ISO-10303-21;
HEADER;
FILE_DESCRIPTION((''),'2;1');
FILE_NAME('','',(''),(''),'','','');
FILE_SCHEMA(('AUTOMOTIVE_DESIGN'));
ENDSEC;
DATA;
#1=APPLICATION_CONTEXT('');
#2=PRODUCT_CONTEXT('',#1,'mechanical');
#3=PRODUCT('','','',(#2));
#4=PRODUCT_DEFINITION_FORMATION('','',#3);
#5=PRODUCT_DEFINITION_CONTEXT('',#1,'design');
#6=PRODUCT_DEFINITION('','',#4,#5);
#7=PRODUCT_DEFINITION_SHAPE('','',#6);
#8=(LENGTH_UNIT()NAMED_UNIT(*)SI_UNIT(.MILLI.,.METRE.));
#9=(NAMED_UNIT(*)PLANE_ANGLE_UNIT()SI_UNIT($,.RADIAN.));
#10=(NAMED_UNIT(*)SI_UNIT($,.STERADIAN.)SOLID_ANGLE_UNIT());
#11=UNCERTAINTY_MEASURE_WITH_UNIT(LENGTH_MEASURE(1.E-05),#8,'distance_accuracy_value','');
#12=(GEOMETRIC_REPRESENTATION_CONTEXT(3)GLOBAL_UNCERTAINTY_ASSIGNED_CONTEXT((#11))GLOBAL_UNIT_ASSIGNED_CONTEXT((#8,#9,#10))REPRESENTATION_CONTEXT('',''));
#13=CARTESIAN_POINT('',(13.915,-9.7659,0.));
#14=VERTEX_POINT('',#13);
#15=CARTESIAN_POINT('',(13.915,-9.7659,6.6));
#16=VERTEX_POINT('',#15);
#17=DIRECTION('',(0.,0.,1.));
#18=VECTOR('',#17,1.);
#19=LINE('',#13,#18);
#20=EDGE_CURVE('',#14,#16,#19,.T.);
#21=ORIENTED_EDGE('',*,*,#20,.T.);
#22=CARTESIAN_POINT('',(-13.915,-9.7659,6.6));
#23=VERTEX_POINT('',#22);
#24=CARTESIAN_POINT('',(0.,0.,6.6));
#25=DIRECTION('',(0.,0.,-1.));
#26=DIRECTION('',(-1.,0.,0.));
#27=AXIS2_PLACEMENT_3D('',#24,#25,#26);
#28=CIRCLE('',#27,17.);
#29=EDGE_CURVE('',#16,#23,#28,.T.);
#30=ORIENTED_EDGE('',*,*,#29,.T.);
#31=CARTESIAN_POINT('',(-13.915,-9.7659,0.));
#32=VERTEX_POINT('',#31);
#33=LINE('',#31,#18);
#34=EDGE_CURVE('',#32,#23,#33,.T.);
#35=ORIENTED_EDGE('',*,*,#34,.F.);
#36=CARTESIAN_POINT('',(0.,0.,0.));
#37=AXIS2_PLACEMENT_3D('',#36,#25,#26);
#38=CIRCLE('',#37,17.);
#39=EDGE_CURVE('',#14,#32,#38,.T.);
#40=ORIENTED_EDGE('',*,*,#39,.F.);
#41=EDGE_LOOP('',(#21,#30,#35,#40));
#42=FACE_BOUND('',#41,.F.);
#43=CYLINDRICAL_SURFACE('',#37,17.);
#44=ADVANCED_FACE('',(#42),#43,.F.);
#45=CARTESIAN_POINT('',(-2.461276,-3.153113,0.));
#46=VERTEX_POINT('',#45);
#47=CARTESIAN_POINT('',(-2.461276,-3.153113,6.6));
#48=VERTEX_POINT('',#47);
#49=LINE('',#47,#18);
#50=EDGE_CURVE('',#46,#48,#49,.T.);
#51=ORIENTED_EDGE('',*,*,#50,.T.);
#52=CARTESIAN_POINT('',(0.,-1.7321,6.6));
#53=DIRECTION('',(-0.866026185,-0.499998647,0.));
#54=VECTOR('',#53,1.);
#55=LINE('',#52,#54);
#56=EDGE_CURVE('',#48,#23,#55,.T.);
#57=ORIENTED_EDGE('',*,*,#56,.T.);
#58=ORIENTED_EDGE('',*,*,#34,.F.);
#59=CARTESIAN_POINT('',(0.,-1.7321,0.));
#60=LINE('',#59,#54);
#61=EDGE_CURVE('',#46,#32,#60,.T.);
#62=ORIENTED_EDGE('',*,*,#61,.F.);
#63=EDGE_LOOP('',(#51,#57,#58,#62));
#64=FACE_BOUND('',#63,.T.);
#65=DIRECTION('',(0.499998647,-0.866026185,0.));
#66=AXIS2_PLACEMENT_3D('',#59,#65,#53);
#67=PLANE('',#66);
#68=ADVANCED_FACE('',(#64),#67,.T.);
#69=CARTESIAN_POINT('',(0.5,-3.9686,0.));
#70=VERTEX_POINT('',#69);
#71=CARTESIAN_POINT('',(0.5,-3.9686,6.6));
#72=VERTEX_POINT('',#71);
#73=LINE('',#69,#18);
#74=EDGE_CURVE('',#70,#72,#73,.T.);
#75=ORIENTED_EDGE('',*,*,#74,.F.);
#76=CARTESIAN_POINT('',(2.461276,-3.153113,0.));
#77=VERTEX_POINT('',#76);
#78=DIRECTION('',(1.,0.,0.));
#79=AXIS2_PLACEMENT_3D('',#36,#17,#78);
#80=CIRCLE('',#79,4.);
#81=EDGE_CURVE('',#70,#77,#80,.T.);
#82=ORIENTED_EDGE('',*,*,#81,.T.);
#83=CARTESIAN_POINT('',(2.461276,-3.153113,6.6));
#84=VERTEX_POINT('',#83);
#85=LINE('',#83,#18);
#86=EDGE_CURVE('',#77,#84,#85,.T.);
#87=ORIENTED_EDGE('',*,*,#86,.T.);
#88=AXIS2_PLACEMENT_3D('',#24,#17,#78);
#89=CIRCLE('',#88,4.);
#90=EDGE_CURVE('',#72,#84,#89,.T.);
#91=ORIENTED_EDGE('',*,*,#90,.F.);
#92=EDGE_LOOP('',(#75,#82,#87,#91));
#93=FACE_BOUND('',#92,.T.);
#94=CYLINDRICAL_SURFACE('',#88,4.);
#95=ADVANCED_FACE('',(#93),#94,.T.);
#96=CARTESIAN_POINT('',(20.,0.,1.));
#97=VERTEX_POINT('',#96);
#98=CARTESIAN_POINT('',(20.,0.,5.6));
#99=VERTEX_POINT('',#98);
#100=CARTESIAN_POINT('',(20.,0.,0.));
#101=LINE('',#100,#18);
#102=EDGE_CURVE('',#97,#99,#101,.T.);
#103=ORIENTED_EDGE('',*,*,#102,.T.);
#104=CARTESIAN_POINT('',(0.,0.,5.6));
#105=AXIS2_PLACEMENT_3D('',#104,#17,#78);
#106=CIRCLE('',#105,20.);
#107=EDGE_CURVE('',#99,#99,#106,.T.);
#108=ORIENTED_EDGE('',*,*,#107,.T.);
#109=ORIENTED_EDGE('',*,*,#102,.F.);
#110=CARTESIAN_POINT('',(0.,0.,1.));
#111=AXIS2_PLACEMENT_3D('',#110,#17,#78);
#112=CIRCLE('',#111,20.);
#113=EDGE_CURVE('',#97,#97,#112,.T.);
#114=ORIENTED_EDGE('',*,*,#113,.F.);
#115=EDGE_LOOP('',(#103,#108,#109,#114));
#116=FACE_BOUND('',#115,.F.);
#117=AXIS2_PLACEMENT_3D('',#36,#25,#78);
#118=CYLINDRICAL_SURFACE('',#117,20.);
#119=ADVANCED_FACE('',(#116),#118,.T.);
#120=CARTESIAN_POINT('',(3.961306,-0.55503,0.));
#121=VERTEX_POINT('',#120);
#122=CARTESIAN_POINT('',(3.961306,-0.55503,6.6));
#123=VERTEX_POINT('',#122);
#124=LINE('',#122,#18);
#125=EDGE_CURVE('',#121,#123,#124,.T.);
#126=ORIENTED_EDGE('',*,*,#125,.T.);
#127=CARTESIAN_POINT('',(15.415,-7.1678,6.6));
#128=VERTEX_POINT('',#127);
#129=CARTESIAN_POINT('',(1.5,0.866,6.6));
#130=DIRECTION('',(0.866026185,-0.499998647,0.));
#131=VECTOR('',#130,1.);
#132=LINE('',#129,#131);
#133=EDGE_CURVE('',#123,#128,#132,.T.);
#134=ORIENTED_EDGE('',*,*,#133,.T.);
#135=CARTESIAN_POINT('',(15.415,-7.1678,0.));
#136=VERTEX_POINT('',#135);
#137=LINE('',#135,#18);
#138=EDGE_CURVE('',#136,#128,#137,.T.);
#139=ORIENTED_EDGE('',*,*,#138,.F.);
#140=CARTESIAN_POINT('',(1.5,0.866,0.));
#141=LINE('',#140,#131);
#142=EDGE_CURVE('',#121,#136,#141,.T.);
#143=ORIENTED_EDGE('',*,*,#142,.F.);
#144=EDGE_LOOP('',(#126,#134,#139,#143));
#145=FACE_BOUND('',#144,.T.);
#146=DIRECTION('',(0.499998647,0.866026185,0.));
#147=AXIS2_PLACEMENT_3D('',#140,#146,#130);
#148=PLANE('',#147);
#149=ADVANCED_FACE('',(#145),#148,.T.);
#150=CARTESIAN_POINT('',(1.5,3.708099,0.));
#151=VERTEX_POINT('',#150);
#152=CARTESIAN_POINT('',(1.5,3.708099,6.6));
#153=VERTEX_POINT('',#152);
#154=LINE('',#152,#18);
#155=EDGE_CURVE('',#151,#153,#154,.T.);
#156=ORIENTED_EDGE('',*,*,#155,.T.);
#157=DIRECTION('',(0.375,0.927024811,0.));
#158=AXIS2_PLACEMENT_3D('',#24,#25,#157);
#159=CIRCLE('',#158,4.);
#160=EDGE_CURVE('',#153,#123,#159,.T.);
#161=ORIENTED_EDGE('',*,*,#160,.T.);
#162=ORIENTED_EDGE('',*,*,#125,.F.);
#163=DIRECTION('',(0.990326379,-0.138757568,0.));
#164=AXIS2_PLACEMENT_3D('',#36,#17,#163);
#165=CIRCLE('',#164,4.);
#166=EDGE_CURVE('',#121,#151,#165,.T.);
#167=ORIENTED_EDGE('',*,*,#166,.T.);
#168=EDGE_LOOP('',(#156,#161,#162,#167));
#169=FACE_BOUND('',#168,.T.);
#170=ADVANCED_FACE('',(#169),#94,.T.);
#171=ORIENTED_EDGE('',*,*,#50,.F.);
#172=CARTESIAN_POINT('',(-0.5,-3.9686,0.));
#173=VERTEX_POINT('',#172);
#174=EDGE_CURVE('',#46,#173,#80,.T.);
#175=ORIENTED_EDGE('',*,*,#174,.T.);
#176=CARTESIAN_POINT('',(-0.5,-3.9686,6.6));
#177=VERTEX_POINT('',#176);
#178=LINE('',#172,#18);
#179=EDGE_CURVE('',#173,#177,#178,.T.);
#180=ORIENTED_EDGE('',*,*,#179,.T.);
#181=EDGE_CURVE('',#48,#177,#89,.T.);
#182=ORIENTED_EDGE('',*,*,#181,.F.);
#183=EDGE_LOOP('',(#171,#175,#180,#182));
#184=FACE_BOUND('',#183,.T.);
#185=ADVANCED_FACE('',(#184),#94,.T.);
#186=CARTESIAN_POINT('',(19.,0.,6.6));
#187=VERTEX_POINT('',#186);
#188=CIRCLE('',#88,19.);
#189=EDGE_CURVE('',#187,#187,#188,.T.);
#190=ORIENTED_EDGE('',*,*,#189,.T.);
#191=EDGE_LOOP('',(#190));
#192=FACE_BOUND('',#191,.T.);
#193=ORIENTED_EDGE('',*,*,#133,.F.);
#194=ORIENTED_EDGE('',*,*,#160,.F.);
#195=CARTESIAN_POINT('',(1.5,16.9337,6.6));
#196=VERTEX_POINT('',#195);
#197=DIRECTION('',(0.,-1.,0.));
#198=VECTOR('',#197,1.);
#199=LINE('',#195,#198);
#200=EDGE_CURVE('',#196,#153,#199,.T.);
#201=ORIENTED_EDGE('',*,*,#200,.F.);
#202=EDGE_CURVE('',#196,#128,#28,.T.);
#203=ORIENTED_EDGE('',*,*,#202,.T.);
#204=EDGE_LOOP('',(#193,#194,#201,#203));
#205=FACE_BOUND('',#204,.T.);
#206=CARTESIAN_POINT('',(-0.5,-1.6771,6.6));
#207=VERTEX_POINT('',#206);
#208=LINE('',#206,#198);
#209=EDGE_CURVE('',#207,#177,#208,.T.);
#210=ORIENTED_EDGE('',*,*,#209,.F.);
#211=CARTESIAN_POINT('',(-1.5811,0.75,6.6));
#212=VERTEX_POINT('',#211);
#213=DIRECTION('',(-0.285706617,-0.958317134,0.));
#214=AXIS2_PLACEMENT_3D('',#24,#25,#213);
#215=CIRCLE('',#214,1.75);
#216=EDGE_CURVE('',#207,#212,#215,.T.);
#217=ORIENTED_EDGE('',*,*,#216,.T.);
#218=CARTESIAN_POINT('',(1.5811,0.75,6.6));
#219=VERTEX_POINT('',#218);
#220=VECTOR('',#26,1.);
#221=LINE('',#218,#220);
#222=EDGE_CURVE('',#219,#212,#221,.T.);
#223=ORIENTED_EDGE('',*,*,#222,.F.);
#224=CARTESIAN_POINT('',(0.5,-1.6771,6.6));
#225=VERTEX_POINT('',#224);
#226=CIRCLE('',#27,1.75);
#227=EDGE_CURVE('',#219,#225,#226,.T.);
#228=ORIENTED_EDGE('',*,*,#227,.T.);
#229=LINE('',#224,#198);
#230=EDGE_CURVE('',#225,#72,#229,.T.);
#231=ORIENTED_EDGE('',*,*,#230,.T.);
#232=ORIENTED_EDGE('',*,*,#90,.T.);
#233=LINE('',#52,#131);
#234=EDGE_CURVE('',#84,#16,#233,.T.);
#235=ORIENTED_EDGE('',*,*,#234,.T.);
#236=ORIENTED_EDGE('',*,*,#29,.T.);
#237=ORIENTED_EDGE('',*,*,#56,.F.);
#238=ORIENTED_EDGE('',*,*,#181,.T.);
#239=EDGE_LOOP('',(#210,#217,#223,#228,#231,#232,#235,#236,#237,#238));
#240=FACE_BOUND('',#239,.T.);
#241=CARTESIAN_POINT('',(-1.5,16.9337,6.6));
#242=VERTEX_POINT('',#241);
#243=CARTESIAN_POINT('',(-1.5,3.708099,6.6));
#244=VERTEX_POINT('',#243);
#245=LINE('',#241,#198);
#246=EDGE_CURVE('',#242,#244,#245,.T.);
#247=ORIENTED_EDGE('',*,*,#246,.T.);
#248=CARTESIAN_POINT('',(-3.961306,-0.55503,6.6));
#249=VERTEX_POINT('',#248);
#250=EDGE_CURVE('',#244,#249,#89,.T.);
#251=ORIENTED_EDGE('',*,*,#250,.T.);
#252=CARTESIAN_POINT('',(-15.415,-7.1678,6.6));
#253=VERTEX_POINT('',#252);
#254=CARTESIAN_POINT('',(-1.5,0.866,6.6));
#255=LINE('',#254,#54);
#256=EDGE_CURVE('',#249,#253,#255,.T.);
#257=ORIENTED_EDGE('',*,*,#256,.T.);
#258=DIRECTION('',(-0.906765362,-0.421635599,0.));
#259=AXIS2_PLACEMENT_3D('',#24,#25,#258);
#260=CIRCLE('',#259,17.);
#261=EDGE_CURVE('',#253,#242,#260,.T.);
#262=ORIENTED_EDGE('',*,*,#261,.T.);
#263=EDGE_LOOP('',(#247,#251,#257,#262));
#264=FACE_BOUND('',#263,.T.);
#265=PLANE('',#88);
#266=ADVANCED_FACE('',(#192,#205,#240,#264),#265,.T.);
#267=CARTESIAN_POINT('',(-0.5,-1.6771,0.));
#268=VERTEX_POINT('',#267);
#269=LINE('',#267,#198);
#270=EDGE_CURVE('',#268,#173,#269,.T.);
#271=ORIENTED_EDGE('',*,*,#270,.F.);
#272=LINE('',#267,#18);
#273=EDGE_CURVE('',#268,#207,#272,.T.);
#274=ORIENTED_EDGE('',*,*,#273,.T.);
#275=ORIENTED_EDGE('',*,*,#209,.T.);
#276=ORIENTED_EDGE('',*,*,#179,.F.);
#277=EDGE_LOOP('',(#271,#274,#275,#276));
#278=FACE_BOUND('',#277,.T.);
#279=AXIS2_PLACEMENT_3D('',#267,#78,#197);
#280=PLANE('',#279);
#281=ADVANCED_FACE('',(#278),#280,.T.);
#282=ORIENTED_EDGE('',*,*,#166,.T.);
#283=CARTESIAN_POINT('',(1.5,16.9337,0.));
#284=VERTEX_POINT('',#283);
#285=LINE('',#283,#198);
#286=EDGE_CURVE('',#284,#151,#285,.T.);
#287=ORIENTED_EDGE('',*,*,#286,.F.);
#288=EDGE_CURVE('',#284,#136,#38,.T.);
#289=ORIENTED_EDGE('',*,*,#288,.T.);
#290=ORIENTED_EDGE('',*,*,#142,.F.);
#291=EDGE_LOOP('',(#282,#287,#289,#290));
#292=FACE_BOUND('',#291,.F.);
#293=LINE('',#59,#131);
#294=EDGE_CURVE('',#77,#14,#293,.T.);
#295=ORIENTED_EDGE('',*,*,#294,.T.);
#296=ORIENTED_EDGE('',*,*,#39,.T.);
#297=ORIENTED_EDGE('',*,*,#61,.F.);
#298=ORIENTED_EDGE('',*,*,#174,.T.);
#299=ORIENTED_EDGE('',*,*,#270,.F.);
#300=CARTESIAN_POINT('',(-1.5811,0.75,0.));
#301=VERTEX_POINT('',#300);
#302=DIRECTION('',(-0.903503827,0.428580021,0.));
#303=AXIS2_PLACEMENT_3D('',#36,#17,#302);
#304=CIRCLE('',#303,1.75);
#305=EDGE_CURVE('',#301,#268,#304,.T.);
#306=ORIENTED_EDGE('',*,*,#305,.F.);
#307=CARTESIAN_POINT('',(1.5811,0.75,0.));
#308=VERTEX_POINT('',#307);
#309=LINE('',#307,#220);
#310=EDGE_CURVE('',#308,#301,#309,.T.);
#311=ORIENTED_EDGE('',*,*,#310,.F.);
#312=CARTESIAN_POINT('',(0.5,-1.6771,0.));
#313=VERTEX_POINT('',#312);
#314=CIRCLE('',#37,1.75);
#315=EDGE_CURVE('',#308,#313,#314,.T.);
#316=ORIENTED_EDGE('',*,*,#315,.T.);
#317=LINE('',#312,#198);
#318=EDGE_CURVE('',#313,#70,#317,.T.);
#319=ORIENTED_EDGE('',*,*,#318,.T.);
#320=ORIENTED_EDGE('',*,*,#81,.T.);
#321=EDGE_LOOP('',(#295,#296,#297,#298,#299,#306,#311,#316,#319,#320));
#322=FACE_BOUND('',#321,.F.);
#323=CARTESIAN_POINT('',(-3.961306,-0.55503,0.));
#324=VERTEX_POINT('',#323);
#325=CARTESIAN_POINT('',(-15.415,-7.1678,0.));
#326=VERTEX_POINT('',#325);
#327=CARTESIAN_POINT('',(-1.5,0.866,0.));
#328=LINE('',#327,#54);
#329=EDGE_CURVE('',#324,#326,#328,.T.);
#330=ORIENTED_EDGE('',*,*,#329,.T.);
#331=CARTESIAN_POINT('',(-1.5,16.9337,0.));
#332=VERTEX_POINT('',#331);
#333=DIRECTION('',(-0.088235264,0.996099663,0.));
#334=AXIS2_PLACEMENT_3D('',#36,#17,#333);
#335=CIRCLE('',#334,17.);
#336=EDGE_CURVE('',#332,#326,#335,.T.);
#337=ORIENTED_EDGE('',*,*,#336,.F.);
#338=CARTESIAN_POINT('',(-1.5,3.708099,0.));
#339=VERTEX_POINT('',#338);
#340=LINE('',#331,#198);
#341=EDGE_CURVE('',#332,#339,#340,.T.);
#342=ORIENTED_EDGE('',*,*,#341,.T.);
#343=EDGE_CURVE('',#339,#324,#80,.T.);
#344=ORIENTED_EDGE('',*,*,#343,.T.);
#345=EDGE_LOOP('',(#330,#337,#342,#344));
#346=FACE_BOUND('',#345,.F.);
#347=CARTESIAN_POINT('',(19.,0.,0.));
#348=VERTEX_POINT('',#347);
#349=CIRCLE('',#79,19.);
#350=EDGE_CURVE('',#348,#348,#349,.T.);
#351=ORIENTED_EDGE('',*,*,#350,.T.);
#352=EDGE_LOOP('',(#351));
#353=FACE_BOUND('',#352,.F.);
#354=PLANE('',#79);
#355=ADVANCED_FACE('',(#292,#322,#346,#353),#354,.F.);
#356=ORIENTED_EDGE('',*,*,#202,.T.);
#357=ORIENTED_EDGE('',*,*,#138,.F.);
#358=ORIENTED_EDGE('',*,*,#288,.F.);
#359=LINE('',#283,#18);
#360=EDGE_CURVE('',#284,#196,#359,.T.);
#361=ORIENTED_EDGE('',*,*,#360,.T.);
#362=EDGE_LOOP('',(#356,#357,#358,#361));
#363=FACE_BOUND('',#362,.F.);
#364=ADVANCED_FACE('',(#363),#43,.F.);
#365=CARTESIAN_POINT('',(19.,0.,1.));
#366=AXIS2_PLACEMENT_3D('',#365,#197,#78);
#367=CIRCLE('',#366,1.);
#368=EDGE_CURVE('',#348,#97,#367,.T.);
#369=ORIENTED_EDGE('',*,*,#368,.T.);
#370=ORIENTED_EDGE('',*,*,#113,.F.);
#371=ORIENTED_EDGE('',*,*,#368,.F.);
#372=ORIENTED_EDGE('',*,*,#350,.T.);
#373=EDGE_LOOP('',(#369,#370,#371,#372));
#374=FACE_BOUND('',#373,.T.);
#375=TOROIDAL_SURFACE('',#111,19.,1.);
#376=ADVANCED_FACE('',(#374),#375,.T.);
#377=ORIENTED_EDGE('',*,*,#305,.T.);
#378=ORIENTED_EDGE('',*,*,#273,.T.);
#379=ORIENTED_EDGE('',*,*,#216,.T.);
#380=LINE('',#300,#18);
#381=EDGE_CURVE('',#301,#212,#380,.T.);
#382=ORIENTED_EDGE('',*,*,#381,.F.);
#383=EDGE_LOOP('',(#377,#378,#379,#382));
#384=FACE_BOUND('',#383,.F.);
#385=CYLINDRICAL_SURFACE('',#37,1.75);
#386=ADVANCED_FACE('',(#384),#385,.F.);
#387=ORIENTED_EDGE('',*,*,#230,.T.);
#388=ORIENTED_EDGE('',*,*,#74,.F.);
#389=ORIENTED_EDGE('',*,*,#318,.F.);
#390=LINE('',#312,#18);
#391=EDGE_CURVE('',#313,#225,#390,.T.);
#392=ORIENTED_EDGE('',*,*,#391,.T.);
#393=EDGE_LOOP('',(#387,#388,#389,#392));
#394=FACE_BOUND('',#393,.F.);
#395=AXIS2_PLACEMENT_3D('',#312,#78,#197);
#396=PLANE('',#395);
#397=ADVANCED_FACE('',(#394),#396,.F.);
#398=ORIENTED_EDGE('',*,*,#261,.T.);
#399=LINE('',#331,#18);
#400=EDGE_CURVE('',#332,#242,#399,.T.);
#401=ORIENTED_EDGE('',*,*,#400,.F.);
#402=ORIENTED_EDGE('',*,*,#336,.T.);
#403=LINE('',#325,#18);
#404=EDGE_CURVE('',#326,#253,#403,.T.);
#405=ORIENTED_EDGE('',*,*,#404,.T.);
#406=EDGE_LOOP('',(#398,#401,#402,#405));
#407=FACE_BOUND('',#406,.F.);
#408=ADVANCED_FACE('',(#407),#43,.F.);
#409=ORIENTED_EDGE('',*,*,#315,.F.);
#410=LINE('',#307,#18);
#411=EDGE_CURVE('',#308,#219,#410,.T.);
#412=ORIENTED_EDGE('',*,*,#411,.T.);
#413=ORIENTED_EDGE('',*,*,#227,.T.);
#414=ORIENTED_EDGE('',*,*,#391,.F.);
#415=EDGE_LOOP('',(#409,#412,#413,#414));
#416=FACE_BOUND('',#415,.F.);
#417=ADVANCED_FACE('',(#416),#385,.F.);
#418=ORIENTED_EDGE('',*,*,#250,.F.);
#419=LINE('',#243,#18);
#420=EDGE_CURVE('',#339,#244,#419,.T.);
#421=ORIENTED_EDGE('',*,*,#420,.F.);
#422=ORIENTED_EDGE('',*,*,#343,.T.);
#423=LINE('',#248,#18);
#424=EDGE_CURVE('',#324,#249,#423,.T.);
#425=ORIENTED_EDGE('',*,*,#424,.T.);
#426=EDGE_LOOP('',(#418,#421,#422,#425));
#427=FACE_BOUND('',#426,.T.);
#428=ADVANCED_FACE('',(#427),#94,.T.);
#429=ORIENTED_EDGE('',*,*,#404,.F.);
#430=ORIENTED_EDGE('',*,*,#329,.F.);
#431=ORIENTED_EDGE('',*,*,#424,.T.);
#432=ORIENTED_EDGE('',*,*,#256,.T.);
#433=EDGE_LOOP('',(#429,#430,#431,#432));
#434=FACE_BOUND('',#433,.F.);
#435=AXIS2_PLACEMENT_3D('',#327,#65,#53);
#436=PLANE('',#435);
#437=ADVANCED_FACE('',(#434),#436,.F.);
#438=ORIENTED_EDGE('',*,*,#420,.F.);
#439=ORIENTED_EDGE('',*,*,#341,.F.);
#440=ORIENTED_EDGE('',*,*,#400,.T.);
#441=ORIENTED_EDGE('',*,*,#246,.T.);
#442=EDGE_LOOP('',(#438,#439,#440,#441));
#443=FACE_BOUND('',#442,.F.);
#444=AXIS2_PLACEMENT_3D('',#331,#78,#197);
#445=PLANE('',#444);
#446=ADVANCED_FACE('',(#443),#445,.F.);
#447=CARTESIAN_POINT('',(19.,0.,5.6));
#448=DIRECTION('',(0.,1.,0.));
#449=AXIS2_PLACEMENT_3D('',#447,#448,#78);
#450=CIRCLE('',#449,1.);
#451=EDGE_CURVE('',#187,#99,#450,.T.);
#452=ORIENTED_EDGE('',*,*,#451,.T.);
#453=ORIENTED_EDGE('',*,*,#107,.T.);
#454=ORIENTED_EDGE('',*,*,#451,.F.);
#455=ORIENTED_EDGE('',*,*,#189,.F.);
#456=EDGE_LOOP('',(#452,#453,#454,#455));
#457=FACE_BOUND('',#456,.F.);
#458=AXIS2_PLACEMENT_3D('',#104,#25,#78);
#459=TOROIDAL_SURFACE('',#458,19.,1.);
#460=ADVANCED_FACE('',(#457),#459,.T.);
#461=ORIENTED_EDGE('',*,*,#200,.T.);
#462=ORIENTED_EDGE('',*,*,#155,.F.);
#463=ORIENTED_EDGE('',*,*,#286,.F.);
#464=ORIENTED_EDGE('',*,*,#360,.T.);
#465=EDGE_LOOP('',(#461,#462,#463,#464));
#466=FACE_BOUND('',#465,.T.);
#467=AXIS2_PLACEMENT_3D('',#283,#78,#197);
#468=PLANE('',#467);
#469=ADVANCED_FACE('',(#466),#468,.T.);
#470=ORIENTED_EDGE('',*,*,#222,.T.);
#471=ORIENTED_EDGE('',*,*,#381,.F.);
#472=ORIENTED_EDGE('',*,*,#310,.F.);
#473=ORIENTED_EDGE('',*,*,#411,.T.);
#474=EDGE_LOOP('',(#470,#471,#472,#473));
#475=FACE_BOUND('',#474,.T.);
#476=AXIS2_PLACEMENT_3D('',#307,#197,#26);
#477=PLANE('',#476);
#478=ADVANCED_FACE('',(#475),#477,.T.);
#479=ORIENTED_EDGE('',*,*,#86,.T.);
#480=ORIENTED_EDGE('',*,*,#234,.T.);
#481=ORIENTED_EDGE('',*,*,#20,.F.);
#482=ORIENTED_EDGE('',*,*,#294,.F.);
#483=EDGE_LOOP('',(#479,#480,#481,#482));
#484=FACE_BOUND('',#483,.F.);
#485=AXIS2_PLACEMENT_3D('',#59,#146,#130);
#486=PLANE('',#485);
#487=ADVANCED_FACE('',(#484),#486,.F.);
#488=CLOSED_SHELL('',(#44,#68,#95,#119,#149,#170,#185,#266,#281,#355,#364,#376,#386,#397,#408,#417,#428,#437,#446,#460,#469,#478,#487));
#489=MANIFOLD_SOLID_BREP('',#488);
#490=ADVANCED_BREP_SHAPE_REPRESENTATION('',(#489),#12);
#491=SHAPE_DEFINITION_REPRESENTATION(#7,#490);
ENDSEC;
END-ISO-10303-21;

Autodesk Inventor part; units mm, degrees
ref_plane "YZ Plane" through (0, 0, 0) normal (1, 0, 0) x (0, 1, 0)
ref_plane "XZ Plane" through (0, 0, 0) normal (0, 1, 0) x (-1, 0, 0)
ref_plane "XY Plane" through (0, 0, 0) normal (0, 0, 1) x (1, 0, 0)
sketch "Sketch1" plane through (0, 0, 0) normal (0, 0, 1) x (1, 0, 0)
  circle A0 centre (0, 0) radius 20
  dimension "d0" = 40
extrude "Extrusion1" add sketch "Sketch1" along normal blind 6.6
sketch "Sketch3" plane through (0, 0, 0) normal (0, 0, -1) x (-1, 0, 0)
  circle A0 centre (0, 0) radius 17
  line L0 (0, 17) -> (0, 0)
  line L1 (0, 0) -> (14.7224, -8.5)
  line L2 (0, 0) -> (-14.7224, -8.5)
  line L3 (0, 0) -> (17, 0) construction
  line L4 (1.5, 16.9337) -> (1.5, 0.866)
  line L5 (-1.5, 16.9337) -> (-1.5, 0.866)
  line L6 (-1.5, 0.866) -> (-15.415, -7.1678)
  line L7 (0, -1.7321) -> (-13.915, -9.7659)
  line L8 (1.5, 0.866) -> (15.415, -7.1678)
  line L9 (0, -1.7321) -> (13.915, -9.7659)
  dimension "d6" = 34
  dimension "d7" = 120
  dimension "d8" = 150
  dimension "d9" = 1.5
  dimension "d10" = 1.5
  dimension "d11" = 1.5
  dimension "d12" = 1.5
  dimension "d13" = 1.5
  dimension "d14" = 1.5
extrude "Extrusion3" cut sketch "Sketch3" against normal up to surface (6.6 mm away) contours A0 L8 L4 | L5 L6 A0 | A0 L7 L9
sketch "Sketch5" plane through (0, 0, 6.6) normal (0, 0, 1) x (1, 0, 0)
  circle A0 centre (0, 0) radius 4
  dimension "d20" = 8
extrude "Extrusion5" add sketch "Sketch5" against normal blind 6.6
sketch "Sketch6" plane through (0, 0, 0) normal (0, 0, -1) x (-1, 0, 0)
  circle A0 centre (0, 0) radius 1.75
  line L0 (0, -1.75) -> (0, -4)
  arc A1 (-2.4613, -3.1531) -> (2.4613, -3.1531) centre (0, 0) ccw projected
  line L1 (0.5, -1.6771) -> (0.5, -3.9686)
  line L2 (-0.5, -1.6771) -> (-0.5, -3.9686)
  line L3 (-1.5811, 0.75) -> (1.5811, 0.75)
  point P0 (0.0845, 0.75)
  dimension "d23" = 3.5
  dimension "d24" = 0.5
  dimension "d25" = 0.5
  dimension "d29" = 2.5
extrude "Extrusion6" cut sketch "Sketch6" against normal up to surface (6.6 mm away) contours A0 L3 | L1 A1 L0 A0 | L0 A1 L2 A0 picked at (0, -0.0833)
fillet "Arredondamento1" radius 1 2 edges at (-20, 0, 6.6) (-20, 0, 0)
properties part number "wheel"
